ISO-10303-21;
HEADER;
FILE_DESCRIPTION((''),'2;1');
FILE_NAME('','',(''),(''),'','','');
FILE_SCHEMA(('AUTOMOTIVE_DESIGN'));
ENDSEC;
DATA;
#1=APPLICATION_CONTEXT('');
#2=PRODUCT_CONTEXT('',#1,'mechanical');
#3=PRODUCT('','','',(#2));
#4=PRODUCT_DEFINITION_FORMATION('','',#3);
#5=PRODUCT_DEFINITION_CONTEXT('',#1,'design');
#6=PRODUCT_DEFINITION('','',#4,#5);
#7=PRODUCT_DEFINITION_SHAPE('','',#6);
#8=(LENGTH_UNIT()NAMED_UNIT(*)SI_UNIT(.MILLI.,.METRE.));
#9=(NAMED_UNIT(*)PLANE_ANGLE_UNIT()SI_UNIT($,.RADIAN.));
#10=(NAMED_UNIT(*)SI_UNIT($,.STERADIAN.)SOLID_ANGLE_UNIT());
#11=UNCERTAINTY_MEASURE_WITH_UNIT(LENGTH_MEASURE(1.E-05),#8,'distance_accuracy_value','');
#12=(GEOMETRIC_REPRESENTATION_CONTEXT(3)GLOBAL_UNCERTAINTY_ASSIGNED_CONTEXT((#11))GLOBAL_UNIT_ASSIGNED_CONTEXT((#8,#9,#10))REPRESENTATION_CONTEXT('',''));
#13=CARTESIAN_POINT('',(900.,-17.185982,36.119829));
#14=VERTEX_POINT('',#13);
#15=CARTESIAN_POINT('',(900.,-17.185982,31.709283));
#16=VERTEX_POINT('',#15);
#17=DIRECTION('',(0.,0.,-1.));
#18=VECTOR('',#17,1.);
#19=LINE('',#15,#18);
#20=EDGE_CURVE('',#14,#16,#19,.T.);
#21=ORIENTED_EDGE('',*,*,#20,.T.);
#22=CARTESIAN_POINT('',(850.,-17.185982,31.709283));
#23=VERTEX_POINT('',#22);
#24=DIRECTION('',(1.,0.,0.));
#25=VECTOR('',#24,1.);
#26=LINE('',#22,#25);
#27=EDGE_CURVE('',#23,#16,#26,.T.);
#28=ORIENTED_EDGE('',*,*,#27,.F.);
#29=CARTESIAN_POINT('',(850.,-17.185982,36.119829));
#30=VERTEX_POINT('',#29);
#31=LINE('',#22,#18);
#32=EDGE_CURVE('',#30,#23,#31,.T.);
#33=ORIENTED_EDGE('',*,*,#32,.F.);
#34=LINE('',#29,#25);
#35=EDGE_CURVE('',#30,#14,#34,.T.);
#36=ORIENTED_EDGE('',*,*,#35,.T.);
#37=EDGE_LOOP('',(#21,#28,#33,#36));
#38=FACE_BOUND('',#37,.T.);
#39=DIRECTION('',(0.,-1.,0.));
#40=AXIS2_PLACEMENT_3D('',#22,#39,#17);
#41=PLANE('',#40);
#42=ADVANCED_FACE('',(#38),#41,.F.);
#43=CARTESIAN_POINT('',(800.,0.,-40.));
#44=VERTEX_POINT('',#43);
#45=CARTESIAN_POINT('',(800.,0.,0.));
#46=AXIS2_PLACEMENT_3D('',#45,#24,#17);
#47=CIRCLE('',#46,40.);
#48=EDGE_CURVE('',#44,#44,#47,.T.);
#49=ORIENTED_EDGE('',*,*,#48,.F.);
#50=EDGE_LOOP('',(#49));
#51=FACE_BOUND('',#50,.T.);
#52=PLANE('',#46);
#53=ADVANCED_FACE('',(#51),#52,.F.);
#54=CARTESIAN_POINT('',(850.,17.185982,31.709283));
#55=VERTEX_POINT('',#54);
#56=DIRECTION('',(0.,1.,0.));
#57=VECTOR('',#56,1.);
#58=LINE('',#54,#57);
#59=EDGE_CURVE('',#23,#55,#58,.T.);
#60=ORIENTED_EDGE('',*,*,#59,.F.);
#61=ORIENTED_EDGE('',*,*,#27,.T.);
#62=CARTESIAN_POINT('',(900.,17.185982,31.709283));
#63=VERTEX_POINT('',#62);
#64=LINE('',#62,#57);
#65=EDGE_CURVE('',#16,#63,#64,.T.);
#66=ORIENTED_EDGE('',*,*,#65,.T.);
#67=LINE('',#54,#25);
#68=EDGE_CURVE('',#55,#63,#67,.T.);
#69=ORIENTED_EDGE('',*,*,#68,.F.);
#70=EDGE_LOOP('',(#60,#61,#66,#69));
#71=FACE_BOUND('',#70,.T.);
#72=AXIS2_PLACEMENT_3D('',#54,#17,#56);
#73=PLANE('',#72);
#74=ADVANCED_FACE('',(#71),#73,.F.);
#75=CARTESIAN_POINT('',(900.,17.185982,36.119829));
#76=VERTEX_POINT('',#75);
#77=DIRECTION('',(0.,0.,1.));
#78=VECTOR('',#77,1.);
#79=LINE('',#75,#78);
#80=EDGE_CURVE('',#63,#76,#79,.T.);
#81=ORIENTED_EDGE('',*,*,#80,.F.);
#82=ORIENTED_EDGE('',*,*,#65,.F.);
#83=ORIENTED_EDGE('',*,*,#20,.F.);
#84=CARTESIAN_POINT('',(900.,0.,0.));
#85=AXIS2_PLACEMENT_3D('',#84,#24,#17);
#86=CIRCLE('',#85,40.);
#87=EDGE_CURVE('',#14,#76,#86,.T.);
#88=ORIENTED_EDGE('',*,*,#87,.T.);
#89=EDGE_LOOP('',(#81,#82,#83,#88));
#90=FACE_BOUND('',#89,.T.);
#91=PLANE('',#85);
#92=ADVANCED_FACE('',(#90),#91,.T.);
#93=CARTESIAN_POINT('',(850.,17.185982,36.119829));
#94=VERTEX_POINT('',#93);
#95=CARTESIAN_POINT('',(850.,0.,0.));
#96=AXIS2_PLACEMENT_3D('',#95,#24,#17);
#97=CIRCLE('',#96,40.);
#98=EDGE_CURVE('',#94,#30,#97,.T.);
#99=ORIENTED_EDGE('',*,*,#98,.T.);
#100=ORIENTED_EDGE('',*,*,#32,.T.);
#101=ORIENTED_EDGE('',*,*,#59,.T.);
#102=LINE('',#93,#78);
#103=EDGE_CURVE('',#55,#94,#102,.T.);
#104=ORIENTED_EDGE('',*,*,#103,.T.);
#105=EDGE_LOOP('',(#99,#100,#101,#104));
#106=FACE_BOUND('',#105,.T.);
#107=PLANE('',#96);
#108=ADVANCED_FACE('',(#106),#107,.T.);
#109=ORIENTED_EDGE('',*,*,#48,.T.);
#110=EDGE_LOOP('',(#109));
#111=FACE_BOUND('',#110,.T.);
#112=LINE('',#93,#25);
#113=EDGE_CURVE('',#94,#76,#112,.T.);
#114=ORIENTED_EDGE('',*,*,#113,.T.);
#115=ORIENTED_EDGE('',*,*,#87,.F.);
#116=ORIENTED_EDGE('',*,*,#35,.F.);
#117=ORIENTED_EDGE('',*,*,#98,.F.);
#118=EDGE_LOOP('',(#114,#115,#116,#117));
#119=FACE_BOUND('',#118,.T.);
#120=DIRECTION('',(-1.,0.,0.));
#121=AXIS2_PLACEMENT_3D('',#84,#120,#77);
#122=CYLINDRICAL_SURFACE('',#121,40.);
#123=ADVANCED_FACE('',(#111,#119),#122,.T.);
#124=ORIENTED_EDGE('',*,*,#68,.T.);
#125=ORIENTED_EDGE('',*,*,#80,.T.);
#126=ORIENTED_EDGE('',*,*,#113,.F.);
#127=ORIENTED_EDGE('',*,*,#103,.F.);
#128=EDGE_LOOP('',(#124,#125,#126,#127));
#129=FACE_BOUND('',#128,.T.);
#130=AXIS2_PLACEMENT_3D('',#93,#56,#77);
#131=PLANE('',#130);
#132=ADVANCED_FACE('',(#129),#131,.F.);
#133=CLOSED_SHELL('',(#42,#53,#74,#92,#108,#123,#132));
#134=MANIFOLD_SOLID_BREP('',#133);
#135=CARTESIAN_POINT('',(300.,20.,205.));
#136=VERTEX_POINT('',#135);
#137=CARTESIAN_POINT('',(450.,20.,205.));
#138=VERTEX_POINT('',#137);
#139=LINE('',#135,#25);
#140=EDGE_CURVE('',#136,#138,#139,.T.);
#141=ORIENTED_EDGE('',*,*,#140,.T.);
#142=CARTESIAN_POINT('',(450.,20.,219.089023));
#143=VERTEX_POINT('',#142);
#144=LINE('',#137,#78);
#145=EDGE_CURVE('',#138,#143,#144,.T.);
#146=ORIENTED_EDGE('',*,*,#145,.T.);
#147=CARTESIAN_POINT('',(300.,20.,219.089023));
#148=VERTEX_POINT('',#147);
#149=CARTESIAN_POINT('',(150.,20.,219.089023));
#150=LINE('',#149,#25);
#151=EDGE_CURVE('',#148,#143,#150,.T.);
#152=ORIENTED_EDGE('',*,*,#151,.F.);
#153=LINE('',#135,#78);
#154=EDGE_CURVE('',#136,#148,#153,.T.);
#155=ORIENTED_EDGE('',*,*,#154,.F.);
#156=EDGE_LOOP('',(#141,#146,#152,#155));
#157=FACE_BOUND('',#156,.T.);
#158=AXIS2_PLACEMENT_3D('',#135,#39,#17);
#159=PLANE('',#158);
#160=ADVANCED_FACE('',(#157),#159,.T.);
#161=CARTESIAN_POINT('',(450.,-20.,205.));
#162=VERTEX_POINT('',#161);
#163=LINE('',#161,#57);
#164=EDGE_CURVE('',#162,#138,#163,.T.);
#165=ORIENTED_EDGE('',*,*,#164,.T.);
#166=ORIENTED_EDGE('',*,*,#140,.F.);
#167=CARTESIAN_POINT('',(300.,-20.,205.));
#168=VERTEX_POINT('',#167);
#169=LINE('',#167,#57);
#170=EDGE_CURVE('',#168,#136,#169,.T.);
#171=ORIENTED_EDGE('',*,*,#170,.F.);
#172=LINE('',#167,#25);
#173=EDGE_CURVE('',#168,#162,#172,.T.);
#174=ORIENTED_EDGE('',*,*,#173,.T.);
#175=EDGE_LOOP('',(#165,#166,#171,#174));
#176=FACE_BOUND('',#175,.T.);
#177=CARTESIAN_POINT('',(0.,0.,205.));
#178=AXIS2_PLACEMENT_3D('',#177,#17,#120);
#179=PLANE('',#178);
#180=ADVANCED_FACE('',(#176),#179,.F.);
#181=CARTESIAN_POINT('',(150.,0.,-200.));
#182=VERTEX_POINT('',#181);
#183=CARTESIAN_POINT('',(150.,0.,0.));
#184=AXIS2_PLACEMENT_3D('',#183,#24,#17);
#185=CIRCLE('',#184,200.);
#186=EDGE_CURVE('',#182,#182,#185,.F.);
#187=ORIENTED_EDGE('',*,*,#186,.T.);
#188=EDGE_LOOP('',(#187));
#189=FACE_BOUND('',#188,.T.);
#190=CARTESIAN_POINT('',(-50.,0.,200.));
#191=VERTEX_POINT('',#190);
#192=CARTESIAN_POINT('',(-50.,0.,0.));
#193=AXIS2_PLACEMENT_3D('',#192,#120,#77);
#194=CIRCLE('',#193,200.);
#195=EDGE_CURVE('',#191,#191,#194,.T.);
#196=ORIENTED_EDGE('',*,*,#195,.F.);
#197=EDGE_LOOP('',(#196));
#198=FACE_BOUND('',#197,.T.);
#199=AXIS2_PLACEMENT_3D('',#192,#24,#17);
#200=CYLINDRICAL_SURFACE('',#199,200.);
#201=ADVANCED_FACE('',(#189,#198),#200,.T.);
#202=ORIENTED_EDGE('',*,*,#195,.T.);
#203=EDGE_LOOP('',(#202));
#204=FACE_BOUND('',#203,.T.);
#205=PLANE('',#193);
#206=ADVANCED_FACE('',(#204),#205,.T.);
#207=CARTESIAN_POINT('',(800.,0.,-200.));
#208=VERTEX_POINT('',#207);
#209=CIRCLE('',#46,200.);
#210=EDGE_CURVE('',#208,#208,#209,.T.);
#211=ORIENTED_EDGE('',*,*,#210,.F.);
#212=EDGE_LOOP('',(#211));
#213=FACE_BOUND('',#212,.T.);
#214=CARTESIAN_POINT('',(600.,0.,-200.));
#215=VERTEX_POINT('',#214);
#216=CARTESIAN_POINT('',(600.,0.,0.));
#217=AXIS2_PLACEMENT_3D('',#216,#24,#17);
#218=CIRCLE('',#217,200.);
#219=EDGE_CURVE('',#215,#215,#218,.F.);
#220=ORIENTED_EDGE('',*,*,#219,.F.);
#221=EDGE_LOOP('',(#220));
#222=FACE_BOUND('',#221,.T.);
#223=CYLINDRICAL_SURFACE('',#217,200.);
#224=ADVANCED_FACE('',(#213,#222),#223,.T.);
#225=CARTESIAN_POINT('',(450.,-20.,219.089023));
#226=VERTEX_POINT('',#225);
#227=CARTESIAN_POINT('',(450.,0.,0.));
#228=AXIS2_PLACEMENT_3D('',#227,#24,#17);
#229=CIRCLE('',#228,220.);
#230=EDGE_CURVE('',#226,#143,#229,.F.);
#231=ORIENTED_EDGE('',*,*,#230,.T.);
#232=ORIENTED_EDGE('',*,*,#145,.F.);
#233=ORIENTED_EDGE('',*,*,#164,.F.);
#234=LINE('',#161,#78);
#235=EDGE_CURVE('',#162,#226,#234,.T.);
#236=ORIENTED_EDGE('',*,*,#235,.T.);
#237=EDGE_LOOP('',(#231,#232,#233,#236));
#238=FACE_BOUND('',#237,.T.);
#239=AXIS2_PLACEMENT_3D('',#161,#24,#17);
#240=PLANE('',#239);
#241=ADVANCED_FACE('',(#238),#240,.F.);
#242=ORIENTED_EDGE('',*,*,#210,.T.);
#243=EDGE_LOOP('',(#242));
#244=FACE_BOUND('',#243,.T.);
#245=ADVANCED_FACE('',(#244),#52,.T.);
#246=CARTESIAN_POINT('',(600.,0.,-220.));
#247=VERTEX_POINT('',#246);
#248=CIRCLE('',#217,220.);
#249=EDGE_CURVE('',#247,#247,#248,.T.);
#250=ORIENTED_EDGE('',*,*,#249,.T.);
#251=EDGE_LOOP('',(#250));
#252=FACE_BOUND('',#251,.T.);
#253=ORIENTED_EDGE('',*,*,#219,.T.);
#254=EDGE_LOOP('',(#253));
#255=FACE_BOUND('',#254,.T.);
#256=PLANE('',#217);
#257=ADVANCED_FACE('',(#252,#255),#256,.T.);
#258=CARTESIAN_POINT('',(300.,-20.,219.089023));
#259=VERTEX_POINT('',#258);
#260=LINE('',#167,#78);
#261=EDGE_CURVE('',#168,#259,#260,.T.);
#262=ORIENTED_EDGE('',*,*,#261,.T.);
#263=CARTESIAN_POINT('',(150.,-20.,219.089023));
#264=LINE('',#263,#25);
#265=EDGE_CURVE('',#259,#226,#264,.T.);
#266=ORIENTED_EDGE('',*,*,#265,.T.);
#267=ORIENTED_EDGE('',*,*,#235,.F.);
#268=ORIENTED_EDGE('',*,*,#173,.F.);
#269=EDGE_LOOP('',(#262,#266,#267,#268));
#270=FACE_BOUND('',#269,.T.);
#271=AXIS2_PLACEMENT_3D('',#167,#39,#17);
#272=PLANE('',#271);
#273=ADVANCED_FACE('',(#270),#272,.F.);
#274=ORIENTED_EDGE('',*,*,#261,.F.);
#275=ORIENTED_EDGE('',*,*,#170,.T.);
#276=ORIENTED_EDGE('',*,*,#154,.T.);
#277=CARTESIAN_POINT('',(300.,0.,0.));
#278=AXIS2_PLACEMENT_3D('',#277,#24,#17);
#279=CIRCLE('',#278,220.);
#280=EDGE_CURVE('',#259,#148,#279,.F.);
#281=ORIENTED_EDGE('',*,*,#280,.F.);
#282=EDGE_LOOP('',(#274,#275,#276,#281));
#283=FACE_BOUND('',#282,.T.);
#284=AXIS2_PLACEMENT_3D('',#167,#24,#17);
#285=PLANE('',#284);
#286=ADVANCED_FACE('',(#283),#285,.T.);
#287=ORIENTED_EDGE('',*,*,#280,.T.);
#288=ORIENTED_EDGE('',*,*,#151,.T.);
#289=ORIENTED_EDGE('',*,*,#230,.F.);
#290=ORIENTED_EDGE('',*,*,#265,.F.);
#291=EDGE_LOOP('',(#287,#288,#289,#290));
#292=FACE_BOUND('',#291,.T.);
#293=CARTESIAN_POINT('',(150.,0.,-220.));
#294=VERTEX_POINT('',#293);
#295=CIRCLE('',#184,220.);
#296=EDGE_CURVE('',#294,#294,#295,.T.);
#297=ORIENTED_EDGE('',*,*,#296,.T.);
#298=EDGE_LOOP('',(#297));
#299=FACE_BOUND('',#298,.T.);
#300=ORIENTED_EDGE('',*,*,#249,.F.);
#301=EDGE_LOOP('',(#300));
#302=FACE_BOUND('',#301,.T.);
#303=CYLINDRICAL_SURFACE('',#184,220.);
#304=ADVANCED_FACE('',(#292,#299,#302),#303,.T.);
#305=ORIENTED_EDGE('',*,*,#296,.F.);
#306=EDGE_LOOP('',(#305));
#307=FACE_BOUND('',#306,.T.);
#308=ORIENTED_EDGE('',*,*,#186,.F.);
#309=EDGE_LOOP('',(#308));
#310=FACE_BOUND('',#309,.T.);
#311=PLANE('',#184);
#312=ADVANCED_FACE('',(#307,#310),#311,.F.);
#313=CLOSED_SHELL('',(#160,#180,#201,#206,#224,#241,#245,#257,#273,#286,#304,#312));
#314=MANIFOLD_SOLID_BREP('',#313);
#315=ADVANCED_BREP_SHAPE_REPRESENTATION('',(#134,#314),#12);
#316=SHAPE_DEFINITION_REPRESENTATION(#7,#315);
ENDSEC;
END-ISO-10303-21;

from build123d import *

# Parameters (mm, degrees)
SKETCH3_R           = 200
BOSS_EXTRUDE2_DEPTH = 200
SKETCH6_R           = 40
BOSS_EXTRUDE5_DEPTH = 100
CUT_EXTRUDE1_DEPTH  = 50
SKETCH5_R           = 220
BOSS_EXTRUDE6_DEPTH = 450
SKETCH9_R           = 200
BOSS_EXTRUDE7_DEPTH = 200
SKETCH10_W          = 150
SKETCH10_H          = 40
CUT_EXTRUDE2_DEPTH  = 15


with BuildPart() as part:
    # Sketch3 → Boss-Extrude2 (new body)
    with BuildSketch(Plane(origin=(800, 0, 0), x_dir=(0, 0, -1), z_dir=(1, 0, 0))):
        Circle(SKETCH3_R)
    extrude(amount=-BOSS_EXTRUDE2_DEPTH)

    # Sketch5 → Boss-Extrude6 (add)
    with BuildSketch(Plane(origin=(600, 0, 0), x_dir=(0, 0, -1), z_dir=(1, 0, 0))):
        Circle(SKETCH5_R)
    extrude(amount=-BOSS_EXTRUDE6_DEPTH)

    # Sketch9 → Boss-Extrude7 (add)
    with BuildSketch(Plane.ZY.offset(-150)):
        Circle(SKETCH9_R)
    extrude(amount=BOSS_EXTRUDE7_DEPTH)

    # Sketch10 → Cut-Extrude2 (cut)
    with BuildSketch(Plane(origin=(600, 0, 220), x_dir=(1, 0, 0), z_dir=(0, 0, 1))):
        with Locations((-225, 0)):
            Rectangle(SKETCH10_W, SKETCH10_H)
    extrude(amount=-CUT_EXTRUDE2_DEPTH, mode=Mode.SUBTRACT)


with BuildPart() as body_2:
    # Sketch6 → Boss-Extrude5 (new body)
    with BuildSketch(Plane(origin=(800, 0, 0), x_dir=(0, 0, -1), z_dir=(1, 0, 0))):
        Circle(SKETCH6_R)
    extrude(amount=BOSS_EXTRUDE5_DEPTH)

    # Sketch8 → Cut-Extrude1 (cut)
    with BuildSketch(Plane(origin=(900, 0, 0), x_dir=(0, 0, -1), z_dir=(1, 0, 0))):
        with BuildLine():
            Line((-36.119828524, 17.185982294), (-31.709283015, 17.185982294))
            Line((-31.709283015, 17.185982294), (-31.709283015, -17.185982294))
            Line((-31.709283015, -17.185982294), (-36.119828524, -17.185982294))
            ThreePointArc((-36.119828524, -17.185982294), (-40, 0), (-36.119828524, 17.185982294))
        make_face()
    extrude(amount=-CUT_EXTRUDE1_DEPTH, mode=Mode.SUBTRACT)


solid = Compound([part.part, body_2.part])
